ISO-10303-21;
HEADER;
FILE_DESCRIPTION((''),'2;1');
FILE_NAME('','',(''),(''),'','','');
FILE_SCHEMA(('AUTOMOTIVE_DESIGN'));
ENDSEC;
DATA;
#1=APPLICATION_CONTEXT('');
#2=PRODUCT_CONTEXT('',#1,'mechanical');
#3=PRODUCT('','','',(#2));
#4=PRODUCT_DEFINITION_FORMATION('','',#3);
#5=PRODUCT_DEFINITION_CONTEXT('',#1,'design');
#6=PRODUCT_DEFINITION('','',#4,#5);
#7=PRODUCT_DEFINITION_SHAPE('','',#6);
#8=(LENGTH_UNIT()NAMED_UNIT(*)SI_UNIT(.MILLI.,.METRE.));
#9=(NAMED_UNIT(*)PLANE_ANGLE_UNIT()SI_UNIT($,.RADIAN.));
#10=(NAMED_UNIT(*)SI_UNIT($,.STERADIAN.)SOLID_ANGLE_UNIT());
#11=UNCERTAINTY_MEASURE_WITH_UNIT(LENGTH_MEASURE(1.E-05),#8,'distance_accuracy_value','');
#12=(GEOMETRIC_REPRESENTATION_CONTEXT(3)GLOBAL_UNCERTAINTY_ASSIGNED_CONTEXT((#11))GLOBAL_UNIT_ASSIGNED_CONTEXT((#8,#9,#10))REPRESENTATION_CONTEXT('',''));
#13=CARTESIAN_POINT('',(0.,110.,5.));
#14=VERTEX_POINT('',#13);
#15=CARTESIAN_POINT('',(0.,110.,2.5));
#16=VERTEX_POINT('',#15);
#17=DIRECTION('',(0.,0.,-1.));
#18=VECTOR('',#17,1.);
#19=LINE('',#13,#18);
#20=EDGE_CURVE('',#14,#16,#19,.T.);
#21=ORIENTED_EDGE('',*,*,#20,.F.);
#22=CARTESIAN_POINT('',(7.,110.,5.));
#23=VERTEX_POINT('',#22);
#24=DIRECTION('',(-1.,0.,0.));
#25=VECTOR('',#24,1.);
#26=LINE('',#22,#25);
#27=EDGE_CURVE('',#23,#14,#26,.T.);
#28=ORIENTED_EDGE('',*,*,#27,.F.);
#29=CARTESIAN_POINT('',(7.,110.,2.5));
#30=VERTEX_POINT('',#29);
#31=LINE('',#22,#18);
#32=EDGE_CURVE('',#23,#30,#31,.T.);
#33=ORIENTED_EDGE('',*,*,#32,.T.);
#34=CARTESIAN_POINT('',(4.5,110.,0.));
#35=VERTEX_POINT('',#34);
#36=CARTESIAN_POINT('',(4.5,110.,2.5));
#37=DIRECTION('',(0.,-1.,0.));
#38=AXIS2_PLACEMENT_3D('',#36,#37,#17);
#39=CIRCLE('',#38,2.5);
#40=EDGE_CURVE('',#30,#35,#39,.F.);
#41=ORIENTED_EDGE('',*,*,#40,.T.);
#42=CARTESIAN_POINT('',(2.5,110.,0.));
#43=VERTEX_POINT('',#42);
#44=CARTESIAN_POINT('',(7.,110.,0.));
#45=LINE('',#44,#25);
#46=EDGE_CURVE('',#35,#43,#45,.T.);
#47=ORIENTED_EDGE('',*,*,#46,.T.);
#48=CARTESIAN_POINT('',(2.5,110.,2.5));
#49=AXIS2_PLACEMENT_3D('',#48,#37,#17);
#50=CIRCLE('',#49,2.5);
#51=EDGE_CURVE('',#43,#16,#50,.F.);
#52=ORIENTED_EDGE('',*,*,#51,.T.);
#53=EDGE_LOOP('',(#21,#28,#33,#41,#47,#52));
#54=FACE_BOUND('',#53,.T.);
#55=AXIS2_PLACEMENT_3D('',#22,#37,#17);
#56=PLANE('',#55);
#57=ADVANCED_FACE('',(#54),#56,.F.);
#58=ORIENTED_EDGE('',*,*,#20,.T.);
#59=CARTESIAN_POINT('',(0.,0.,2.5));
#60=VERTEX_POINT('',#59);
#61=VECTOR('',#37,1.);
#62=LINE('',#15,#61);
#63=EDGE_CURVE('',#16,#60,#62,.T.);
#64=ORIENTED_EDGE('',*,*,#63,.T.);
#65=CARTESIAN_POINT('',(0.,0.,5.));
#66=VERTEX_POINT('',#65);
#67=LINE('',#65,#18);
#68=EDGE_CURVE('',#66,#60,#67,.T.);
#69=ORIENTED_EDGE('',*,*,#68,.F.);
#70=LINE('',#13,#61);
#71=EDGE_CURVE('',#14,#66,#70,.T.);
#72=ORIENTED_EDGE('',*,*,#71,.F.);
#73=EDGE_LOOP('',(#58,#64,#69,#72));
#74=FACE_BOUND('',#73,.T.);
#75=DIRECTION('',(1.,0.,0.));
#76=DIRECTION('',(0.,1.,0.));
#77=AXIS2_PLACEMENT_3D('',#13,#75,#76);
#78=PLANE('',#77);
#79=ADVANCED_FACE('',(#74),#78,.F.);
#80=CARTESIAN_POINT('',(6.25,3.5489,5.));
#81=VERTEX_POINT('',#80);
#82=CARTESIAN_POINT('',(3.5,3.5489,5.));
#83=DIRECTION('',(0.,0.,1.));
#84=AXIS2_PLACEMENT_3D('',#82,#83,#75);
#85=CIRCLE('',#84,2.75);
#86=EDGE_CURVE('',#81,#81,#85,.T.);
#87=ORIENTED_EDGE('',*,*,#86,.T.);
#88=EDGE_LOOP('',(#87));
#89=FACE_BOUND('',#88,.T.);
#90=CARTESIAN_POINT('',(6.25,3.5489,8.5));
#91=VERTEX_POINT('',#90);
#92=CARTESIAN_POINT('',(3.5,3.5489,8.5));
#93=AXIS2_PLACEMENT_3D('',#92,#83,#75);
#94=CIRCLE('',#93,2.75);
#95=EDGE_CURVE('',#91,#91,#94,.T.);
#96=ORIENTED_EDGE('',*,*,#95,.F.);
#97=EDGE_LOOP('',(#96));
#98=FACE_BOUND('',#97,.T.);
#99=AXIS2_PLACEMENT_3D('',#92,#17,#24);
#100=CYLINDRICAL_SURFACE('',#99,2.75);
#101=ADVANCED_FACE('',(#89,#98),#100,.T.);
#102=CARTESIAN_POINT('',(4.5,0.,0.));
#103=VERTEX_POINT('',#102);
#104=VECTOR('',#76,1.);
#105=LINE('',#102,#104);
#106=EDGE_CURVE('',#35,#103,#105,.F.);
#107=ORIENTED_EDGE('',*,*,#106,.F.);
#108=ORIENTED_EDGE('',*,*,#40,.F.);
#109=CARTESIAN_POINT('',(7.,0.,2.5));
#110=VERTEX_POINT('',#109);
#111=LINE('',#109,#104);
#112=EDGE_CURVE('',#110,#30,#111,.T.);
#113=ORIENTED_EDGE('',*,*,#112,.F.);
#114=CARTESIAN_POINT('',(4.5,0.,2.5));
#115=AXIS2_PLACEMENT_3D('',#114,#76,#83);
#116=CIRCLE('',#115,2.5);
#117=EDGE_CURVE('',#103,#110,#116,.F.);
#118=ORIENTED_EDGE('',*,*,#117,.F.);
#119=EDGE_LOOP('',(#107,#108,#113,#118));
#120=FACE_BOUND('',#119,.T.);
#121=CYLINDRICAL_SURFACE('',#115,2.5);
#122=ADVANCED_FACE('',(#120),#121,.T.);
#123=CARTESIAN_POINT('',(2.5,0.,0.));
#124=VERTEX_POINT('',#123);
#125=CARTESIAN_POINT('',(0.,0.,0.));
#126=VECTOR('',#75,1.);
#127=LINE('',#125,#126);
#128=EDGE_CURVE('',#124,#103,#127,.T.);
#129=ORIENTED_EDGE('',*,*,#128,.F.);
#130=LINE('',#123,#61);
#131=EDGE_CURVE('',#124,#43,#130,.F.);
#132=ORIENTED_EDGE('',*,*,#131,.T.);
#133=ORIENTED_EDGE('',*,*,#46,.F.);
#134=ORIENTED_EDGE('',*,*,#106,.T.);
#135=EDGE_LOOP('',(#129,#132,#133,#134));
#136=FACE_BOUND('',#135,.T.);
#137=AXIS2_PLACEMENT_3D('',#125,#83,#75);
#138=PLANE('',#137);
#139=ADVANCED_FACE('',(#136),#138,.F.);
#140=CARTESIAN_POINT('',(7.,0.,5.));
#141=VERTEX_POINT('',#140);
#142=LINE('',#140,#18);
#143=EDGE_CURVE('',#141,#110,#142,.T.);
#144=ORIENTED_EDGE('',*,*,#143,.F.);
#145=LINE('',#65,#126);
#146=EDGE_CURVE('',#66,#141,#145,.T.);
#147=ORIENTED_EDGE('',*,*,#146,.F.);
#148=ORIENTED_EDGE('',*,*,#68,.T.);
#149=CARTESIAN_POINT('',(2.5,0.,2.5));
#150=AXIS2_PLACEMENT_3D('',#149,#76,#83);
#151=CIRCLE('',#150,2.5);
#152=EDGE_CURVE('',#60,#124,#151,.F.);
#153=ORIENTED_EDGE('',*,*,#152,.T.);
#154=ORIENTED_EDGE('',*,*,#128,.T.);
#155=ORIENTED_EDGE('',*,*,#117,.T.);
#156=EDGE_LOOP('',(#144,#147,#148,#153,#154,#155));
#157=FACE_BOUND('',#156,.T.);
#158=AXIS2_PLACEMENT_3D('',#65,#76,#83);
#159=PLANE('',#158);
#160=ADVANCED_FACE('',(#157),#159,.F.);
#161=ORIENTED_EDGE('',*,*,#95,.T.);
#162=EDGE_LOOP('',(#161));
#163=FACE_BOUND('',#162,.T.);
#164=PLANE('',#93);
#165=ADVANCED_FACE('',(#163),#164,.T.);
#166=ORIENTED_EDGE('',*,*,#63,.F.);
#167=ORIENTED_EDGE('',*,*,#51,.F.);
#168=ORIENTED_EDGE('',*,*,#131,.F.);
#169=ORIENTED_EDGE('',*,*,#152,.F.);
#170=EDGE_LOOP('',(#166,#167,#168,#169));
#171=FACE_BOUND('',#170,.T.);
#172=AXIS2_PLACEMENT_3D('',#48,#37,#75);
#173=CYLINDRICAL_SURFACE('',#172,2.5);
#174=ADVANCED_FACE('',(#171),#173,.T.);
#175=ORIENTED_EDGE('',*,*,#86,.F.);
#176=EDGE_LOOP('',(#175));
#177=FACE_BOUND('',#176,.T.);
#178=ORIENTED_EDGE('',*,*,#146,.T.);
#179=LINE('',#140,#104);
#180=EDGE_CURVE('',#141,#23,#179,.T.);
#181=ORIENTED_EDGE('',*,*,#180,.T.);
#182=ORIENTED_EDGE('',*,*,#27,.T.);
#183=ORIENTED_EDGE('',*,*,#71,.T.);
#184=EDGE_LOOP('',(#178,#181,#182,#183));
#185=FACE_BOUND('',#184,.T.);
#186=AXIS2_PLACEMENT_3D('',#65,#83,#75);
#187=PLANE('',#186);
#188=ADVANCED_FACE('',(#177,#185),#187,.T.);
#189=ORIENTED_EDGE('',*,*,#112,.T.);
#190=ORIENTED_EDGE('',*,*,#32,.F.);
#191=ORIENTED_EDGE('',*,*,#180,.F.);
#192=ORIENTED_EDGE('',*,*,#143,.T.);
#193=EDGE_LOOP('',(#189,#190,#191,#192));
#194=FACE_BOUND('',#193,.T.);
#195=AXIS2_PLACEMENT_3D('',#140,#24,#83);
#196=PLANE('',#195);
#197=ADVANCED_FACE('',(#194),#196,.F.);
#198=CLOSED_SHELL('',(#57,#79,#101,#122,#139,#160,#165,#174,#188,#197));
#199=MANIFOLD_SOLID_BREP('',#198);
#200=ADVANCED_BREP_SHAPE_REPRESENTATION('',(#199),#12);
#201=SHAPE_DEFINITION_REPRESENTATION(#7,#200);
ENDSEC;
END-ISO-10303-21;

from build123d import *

# Parameters (mm, degrees)
SKETCH1_W           = 7
SKETCH1_H           = 110
BOSS_EXTRUDE1_DEPTH = 5
FILLET4_R           = 2.5
SKETCH2_R           = 2.75
BOSS_EXTRUDE2_DEPTH = 3.5


with BuildPart() as part:
    # Sketch1 → Boss-Extrude1 (new body)
    with BuildSketch(Plane.XY):
        with Locations((3.5, 55)):
            Rectangle(SKETCH1_W, SKETCH1_H)
    extrude(amount=BOSS_EXTRUDE1_DEPTH)

    # Fillet4
    fillet4_edges = [part.edges().sort_by_distance(p)[0] for p in [
        (7, 55, 0),
        (0, 55, 0),
    ]]
    fillet(fillet4_edges, radius=FILLET4_R)

    # Sketch2 → Boss-Extrude2 (add)
    with BuildSketch(Plane.XY.offset(5)):
        with Locations((3.5, 3.548899595)):
            Circle(SKETCH2_R)
    extrude(amount=BOSS_EXTRUDE2_DEPTH)


solid = part.part
